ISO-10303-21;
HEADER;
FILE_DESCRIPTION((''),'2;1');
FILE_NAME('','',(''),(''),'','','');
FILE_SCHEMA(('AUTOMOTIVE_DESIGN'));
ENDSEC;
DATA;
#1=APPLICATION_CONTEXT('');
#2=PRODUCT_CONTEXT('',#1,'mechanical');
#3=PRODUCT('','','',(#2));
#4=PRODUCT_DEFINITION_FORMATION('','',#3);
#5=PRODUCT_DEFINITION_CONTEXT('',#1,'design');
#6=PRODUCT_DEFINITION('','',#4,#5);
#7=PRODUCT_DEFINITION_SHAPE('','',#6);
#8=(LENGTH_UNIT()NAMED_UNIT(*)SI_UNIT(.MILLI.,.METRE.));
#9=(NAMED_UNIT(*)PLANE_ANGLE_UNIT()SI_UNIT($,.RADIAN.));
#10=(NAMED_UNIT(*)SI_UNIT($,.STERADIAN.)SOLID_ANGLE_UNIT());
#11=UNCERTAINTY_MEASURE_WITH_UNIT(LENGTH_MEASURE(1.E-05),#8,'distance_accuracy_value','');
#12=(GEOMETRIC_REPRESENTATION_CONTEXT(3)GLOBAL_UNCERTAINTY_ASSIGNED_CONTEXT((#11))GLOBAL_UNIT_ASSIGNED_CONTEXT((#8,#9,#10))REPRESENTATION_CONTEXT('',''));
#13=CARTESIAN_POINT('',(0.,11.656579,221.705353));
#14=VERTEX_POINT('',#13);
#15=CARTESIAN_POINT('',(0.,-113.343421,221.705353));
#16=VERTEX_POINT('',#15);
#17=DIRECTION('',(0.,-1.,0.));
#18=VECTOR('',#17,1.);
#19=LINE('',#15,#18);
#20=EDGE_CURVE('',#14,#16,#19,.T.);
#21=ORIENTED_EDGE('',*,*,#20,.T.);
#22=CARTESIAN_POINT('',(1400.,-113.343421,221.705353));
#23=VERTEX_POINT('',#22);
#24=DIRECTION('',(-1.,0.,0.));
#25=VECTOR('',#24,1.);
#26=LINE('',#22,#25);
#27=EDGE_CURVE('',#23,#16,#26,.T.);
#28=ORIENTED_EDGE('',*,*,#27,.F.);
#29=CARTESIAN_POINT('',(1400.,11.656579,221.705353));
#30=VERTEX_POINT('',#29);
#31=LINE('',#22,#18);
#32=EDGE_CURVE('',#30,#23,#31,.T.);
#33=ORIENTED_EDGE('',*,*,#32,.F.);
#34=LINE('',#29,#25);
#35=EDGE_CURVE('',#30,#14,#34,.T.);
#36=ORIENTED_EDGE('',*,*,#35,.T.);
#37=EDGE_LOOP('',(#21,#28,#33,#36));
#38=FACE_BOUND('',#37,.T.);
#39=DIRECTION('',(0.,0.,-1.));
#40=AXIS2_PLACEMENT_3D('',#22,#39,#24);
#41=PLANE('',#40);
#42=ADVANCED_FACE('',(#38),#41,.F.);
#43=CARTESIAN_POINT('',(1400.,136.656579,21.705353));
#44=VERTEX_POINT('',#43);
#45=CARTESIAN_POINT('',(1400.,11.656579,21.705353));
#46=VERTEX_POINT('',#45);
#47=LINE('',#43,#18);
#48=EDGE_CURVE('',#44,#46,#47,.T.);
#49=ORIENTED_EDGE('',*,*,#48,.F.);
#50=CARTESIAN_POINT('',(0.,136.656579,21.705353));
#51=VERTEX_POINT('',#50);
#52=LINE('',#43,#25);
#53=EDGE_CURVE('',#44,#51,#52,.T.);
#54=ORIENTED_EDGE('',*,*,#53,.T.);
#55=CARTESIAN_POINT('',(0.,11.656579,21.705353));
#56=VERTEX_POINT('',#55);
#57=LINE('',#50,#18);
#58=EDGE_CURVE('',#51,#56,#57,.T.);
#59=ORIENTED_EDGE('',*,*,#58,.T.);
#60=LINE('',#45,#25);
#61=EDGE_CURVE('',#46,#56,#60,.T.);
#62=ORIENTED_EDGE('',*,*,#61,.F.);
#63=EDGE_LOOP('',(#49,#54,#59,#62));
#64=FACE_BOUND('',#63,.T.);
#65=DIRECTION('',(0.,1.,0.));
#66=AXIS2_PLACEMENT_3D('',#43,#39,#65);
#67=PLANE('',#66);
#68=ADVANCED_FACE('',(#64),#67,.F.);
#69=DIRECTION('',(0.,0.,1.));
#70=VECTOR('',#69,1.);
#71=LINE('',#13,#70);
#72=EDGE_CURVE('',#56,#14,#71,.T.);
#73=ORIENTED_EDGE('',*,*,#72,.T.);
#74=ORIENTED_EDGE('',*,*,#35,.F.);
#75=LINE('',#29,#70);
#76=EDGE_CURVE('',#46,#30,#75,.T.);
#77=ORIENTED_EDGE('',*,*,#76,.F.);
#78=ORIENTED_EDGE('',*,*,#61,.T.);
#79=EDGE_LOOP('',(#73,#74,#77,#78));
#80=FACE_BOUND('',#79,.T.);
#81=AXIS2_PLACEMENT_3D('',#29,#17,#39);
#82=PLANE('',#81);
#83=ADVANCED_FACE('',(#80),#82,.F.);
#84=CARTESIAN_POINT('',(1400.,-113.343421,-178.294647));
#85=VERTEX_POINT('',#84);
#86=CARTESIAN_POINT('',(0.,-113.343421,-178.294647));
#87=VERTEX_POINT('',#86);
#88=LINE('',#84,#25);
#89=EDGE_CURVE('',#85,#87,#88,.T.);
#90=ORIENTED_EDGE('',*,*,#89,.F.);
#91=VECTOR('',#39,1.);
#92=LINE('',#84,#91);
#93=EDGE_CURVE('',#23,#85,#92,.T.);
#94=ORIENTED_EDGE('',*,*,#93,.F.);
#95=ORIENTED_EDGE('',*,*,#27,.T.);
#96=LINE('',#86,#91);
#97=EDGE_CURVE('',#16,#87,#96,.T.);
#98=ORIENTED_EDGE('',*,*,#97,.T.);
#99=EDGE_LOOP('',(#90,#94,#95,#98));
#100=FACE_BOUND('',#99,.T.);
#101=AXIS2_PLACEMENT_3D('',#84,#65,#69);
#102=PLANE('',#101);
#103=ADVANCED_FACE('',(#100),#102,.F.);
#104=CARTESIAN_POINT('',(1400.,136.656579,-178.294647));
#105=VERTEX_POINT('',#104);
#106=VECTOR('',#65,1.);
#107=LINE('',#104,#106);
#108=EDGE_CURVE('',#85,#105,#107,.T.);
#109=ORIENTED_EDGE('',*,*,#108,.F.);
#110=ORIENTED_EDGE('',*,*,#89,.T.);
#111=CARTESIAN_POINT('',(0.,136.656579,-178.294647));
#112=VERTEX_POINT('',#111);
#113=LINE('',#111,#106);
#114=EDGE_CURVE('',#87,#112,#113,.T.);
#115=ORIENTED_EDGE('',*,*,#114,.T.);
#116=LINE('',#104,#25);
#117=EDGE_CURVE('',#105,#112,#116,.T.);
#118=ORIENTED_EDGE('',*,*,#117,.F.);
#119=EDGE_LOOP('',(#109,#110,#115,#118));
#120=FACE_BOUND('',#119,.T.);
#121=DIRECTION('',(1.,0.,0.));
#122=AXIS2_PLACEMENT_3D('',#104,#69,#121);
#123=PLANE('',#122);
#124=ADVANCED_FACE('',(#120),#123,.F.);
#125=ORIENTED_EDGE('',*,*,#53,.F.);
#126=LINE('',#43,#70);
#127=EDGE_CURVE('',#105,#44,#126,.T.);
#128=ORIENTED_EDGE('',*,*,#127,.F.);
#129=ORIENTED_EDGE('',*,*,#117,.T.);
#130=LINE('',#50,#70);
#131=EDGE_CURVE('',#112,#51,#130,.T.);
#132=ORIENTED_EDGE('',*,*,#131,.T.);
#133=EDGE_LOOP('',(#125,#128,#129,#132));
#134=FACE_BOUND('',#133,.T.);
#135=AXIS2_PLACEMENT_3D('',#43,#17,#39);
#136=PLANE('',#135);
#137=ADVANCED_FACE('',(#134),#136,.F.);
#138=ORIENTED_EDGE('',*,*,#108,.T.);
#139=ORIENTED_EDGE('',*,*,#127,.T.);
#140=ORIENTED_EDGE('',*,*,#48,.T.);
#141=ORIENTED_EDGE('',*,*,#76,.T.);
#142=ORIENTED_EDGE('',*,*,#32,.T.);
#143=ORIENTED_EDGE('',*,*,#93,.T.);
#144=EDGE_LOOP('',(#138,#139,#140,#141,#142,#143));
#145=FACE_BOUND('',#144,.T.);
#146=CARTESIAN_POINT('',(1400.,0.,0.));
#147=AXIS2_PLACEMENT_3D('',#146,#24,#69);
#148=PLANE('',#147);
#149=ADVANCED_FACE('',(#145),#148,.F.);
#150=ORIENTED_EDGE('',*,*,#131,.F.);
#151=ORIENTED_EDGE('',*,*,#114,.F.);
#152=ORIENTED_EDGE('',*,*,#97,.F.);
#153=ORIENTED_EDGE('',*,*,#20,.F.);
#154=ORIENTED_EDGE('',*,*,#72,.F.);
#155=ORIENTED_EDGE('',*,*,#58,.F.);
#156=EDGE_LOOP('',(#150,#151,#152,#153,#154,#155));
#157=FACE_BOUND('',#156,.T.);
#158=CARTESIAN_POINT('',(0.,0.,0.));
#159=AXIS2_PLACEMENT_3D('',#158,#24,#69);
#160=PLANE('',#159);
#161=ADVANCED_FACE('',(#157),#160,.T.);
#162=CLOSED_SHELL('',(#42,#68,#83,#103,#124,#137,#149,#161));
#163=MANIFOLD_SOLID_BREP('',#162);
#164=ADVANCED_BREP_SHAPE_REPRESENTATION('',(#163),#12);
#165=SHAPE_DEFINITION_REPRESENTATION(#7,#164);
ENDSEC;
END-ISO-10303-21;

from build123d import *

# Parameters (mm, degrees)
EXTRUDE_1_DEPTH = 1400


with BuildPart() as part:
    # 草图1 → 凸台-拉伸1 (new body)
    with BuildSketch(Plane(origin=(0, 0, 0), x_dir=(0, 0, -1), z_dir=(1, 0, 0))):
        Polygon((178.294646587, 136.656578685), (178.294646587, -113.343421315), (-221.705353413, -113.343421315), (-221.705353413, 11.656578685), (-21.705353413, 11.656578685), (-21.705353413, 136.656578685), align=None)
    extrude(amount=EXTRUDE_1_DEPTH)


solid = part.part
